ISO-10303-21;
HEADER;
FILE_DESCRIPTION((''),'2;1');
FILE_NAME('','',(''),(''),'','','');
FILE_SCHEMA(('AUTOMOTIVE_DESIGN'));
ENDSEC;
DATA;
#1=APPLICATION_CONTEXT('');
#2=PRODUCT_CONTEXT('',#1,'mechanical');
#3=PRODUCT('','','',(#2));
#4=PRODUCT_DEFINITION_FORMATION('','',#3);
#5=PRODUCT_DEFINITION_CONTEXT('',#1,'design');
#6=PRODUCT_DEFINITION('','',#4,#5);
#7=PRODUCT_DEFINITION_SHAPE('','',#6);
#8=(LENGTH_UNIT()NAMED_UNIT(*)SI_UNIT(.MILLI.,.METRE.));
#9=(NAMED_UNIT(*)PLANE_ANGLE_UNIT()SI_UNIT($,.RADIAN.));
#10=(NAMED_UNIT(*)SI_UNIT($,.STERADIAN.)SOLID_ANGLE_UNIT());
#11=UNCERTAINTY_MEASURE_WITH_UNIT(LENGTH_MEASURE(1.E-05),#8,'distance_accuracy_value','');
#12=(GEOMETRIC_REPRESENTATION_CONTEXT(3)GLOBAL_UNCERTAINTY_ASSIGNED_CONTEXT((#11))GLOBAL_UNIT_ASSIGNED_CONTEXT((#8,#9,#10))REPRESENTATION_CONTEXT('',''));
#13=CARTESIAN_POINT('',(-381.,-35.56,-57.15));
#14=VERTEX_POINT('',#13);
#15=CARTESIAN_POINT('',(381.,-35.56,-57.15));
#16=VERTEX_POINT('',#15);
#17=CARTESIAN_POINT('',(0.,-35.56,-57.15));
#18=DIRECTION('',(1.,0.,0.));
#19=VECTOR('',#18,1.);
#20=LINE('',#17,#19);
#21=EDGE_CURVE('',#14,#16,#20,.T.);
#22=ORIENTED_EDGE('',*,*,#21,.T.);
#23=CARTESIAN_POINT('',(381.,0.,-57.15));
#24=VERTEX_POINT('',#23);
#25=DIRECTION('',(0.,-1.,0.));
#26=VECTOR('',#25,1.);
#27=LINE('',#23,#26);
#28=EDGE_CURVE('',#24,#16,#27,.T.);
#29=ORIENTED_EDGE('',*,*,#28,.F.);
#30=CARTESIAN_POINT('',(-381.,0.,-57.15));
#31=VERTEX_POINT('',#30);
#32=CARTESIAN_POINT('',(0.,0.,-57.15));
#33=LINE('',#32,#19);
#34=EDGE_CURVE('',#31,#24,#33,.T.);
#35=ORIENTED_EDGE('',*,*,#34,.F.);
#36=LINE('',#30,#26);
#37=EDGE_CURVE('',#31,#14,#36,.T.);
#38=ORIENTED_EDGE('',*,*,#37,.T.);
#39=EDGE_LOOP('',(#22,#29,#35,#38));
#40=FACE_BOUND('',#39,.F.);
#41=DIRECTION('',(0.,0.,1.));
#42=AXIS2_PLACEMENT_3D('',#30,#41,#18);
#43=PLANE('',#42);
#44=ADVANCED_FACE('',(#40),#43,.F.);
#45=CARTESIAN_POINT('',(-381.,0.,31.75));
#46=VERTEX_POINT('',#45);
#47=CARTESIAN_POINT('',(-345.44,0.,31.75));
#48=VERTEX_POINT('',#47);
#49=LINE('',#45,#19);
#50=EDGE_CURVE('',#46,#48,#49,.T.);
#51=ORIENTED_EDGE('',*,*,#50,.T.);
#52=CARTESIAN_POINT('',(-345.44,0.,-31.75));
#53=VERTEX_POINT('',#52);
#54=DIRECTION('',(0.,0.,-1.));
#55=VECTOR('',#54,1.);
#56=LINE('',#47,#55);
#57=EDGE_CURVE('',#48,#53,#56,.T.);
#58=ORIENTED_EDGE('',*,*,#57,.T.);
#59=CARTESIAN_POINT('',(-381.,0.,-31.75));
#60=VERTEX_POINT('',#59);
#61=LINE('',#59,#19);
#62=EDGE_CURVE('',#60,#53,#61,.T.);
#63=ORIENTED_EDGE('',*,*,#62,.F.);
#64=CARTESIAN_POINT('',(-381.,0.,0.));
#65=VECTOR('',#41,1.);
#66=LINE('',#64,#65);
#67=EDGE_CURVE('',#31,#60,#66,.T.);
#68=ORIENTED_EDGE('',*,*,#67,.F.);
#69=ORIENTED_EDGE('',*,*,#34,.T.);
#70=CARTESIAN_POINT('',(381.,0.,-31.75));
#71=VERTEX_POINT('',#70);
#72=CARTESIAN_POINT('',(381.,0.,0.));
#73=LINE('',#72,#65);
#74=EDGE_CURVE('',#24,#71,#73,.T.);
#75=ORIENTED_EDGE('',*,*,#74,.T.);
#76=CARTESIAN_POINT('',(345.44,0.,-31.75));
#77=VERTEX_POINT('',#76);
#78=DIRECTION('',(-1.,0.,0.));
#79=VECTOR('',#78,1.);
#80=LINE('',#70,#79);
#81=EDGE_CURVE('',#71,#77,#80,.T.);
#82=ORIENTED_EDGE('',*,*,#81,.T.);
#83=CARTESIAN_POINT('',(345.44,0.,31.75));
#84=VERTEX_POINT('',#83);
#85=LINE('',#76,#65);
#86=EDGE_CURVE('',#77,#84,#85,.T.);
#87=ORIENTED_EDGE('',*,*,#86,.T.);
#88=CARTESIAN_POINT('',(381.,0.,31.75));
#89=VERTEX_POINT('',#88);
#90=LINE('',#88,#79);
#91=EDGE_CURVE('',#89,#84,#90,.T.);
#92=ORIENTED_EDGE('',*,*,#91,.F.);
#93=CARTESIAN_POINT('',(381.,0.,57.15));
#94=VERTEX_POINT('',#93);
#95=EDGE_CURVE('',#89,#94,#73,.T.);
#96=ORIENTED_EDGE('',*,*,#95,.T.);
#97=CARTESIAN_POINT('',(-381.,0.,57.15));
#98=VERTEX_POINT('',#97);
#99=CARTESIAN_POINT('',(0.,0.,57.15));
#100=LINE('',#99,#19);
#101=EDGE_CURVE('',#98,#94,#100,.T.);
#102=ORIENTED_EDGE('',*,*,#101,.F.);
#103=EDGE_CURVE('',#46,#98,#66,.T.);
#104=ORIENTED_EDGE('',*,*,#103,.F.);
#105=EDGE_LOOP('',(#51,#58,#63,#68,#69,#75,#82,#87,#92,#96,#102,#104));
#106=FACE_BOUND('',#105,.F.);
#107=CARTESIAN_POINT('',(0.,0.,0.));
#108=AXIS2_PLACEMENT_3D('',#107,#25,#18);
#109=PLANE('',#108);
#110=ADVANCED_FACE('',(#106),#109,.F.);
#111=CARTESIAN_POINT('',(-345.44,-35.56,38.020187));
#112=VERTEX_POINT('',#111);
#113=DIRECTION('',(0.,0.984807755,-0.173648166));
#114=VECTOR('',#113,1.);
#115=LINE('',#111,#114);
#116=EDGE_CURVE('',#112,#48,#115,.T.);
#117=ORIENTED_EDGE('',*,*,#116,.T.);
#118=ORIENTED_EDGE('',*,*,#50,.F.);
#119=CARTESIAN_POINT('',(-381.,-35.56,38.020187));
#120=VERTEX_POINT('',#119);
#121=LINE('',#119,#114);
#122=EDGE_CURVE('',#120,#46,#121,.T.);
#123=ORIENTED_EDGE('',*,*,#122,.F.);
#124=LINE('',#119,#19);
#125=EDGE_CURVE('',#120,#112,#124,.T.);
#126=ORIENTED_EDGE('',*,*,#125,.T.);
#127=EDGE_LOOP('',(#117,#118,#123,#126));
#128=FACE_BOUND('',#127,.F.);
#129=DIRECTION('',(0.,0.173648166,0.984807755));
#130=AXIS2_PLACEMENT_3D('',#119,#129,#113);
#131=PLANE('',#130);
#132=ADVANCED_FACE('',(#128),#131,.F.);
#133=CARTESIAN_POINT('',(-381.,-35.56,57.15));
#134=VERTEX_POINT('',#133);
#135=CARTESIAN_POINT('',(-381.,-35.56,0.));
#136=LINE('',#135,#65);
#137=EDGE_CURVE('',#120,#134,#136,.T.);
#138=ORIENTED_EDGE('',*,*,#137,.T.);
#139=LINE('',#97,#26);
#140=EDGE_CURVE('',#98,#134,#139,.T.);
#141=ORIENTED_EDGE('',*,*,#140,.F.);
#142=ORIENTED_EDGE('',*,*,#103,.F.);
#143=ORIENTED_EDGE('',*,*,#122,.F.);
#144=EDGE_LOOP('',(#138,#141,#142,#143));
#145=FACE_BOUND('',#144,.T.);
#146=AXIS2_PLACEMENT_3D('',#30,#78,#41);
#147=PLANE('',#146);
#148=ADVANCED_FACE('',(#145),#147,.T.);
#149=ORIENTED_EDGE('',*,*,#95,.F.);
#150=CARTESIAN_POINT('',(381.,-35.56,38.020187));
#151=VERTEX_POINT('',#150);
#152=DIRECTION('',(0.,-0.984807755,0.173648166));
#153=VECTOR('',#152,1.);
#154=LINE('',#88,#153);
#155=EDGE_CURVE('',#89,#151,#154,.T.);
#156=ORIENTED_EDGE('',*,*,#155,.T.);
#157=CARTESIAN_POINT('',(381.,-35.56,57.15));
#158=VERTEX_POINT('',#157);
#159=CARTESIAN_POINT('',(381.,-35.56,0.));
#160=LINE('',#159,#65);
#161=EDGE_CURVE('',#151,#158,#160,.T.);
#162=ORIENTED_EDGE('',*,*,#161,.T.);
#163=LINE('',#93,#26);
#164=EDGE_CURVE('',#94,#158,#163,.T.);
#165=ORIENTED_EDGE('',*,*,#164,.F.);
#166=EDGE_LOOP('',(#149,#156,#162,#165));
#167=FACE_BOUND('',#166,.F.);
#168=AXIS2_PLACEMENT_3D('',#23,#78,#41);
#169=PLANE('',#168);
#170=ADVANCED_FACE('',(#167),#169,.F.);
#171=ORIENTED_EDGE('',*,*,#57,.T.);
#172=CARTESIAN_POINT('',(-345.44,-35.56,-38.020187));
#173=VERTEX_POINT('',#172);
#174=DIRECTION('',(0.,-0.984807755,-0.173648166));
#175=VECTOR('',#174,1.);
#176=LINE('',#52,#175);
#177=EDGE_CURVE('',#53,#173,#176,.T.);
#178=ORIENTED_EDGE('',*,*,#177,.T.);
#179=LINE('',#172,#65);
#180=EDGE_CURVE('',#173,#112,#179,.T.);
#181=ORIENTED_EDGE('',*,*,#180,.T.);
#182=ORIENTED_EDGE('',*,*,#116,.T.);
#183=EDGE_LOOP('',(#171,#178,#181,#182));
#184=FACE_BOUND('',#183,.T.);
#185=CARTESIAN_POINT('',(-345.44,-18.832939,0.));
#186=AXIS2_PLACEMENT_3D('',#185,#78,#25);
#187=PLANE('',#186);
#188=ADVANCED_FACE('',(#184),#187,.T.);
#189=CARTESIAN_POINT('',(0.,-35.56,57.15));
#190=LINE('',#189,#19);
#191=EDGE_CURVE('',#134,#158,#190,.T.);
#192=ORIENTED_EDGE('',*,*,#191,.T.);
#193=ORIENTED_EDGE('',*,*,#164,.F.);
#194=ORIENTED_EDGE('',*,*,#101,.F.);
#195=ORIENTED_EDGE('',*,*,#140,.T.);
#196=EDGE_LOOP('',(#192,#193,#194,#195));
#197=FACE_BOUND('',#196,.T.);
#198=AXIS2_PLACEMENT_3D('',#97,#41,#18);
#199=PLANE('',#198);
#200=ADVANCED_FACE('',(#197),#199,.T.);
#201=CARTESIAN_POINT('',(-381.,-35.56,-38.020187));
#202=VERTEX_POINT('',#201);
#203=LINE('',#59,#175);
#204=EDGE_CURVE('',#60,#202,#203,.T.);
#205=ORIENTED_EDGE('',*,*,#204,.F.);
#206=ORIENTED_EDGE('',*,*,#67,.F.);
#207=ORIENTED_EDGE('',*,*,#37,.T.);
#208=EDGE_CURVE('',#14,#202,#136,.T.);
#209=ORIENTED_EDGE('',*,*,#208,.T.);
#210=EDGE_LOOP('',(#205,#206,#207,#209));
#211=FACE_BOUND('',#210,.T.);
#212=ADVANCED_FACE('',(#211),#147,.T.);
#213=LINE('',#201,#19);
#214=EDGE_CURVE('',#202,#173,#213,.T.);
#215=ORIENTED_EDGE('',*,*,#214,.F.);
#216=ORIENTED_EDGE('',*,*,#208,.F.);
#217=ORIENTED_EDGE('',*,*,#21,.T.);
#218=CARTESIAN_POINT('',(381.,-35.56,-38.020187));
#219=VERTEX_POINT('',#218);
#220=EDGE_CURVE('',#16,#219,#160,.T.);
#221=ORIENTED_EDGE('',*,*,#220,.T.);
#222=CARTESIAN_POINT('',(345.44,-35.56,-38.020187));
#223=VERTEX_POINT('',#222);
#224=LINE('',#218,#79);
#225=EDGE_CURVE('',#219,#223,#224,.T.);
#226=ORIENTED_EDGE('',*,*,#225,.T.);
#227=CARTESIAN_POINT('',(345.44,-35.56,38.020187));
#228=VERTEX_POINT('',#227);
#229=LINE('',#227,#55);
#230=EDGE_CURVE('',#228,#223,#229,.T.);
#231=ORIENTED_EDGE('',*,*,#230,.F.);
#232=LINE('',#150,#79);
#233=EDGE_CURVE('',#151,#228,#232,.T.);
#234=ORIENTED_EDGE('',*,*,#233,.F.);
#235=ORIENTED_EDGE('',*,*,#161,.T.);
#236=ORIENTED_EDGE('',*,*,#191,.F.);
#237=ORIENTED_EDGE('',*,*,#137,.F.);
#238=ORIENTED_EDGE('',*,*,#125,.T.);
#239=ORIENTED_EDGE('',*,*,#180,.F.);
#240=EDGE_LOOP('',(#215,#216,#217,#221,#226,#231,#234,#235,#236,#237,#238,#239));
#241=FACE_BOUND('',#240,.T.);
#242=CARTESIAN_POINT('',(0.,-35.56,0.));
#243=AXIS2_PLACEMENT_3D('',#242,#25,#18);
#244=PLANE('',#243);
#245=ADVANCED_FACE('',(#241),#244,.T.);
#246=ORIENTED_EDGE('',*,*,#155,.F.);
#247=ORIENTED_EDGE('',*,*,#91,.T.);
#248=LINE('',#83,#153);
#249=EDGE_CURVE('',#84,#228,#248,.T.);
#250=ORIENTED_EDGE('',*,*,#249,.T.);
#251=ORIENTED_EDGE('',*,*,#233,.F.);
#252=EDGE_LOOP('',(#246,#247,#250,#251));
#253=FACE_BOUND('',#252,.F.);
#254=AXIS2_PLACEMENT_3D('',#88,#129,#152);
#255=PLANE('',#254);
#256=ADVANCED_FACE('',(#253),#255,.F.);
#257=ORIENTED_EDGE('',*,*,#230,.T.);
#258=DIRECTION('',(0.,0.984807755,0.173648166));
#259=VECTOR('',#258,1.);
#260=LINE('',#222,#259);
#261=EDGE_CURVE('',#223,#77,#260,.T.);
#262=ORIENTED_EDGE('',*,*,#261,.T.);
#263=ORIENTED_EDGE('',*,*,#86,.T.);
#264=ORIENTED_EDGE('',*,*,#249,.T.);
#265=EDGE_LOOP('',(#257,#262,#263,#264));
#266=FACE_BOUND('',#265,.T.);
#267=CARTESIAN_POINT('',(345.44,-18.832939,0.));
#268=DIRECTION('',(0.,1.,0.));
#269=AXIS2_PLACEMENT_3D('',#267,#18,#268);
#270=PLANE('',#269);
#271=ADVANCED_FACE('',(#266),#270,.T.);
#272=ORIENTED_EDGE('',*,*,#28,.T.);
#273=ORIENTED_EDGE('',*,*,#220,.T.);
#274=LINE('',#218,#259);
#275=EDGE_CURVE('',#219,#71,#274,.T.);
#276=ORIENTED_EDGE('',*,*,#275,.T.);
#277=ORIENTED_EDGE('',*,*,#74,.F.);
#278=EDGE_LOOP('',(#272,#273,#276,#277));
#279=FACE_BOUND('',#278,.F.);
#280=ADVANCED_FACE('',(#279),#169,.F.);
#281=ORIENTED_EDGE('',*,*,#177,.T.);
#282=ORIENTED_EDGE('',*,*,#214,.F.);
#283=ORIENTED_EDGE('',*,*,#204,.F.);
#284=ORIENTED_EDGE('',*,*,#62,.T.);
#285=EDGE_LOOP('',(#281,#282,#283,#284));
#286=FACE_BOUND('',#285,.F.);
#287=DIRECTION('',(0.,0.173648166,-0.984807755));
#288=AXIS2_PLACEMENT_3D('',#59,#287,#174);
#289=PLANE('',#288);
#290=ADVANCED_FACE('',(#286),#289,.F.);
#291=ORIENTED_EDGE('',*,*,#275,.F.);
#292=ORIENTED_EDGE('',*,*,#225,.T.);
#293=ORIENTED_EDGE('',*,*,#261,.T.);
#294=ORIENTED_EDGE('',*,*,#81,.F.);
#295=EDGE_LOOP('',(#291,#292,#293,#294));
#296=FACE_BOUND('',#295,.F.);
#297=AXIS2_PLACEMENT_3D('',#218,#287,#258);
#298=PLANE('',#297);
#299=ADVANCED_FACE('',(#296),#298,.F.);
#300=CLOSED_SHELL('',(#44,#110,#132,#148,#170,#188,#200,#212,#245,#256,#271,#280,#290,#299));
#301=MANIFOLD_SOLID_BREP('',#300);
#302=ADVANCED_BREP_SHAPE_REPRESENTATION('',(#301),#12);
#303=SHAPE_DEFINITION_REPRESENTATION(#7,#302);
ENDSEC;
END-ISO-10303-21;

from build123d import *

# Parameters (mm, degrees)
F0_W     = 762
F0_H     = 114.3
F1_DEPTH = 35.56
F3_DEPTH = 35.56
F5_DEPTH = 35.56


with BuildPart() as f1:
    # F0 (on Front) → F1 (new body)
    with BuildSketch(Plane.XZ):
        Rectangle(F0_W, F0_H)
    extrude(amount=F1_DEPTH)

    # F2 (on face) → F3 (cut)
    with BuildSketch(Plane(origin=(-381, 0, 0), x_dir=(0, -1, 0), z_dir=(-1, 0, 0))):
        Polygon((35.56, 38.020187), (0, 31.75), (0, -31.75), (35.56, -38.020187), align=None)
    extrude(amount=-F3_DEPTH, mode=Mode.SUBTRACT)

    # F4 (on face) → F5 (cut)
    with BuildSketch(Plane.YZ.offset(381)):
        Polygon((0, 31.75), (-35.56, 38.020187), (-35.56, -38.020187), (0, -31.75), align=None)
    extrude(amount=-F5_DEPTH, mode=Mode.SUBTRACT)


solid = f1.part
